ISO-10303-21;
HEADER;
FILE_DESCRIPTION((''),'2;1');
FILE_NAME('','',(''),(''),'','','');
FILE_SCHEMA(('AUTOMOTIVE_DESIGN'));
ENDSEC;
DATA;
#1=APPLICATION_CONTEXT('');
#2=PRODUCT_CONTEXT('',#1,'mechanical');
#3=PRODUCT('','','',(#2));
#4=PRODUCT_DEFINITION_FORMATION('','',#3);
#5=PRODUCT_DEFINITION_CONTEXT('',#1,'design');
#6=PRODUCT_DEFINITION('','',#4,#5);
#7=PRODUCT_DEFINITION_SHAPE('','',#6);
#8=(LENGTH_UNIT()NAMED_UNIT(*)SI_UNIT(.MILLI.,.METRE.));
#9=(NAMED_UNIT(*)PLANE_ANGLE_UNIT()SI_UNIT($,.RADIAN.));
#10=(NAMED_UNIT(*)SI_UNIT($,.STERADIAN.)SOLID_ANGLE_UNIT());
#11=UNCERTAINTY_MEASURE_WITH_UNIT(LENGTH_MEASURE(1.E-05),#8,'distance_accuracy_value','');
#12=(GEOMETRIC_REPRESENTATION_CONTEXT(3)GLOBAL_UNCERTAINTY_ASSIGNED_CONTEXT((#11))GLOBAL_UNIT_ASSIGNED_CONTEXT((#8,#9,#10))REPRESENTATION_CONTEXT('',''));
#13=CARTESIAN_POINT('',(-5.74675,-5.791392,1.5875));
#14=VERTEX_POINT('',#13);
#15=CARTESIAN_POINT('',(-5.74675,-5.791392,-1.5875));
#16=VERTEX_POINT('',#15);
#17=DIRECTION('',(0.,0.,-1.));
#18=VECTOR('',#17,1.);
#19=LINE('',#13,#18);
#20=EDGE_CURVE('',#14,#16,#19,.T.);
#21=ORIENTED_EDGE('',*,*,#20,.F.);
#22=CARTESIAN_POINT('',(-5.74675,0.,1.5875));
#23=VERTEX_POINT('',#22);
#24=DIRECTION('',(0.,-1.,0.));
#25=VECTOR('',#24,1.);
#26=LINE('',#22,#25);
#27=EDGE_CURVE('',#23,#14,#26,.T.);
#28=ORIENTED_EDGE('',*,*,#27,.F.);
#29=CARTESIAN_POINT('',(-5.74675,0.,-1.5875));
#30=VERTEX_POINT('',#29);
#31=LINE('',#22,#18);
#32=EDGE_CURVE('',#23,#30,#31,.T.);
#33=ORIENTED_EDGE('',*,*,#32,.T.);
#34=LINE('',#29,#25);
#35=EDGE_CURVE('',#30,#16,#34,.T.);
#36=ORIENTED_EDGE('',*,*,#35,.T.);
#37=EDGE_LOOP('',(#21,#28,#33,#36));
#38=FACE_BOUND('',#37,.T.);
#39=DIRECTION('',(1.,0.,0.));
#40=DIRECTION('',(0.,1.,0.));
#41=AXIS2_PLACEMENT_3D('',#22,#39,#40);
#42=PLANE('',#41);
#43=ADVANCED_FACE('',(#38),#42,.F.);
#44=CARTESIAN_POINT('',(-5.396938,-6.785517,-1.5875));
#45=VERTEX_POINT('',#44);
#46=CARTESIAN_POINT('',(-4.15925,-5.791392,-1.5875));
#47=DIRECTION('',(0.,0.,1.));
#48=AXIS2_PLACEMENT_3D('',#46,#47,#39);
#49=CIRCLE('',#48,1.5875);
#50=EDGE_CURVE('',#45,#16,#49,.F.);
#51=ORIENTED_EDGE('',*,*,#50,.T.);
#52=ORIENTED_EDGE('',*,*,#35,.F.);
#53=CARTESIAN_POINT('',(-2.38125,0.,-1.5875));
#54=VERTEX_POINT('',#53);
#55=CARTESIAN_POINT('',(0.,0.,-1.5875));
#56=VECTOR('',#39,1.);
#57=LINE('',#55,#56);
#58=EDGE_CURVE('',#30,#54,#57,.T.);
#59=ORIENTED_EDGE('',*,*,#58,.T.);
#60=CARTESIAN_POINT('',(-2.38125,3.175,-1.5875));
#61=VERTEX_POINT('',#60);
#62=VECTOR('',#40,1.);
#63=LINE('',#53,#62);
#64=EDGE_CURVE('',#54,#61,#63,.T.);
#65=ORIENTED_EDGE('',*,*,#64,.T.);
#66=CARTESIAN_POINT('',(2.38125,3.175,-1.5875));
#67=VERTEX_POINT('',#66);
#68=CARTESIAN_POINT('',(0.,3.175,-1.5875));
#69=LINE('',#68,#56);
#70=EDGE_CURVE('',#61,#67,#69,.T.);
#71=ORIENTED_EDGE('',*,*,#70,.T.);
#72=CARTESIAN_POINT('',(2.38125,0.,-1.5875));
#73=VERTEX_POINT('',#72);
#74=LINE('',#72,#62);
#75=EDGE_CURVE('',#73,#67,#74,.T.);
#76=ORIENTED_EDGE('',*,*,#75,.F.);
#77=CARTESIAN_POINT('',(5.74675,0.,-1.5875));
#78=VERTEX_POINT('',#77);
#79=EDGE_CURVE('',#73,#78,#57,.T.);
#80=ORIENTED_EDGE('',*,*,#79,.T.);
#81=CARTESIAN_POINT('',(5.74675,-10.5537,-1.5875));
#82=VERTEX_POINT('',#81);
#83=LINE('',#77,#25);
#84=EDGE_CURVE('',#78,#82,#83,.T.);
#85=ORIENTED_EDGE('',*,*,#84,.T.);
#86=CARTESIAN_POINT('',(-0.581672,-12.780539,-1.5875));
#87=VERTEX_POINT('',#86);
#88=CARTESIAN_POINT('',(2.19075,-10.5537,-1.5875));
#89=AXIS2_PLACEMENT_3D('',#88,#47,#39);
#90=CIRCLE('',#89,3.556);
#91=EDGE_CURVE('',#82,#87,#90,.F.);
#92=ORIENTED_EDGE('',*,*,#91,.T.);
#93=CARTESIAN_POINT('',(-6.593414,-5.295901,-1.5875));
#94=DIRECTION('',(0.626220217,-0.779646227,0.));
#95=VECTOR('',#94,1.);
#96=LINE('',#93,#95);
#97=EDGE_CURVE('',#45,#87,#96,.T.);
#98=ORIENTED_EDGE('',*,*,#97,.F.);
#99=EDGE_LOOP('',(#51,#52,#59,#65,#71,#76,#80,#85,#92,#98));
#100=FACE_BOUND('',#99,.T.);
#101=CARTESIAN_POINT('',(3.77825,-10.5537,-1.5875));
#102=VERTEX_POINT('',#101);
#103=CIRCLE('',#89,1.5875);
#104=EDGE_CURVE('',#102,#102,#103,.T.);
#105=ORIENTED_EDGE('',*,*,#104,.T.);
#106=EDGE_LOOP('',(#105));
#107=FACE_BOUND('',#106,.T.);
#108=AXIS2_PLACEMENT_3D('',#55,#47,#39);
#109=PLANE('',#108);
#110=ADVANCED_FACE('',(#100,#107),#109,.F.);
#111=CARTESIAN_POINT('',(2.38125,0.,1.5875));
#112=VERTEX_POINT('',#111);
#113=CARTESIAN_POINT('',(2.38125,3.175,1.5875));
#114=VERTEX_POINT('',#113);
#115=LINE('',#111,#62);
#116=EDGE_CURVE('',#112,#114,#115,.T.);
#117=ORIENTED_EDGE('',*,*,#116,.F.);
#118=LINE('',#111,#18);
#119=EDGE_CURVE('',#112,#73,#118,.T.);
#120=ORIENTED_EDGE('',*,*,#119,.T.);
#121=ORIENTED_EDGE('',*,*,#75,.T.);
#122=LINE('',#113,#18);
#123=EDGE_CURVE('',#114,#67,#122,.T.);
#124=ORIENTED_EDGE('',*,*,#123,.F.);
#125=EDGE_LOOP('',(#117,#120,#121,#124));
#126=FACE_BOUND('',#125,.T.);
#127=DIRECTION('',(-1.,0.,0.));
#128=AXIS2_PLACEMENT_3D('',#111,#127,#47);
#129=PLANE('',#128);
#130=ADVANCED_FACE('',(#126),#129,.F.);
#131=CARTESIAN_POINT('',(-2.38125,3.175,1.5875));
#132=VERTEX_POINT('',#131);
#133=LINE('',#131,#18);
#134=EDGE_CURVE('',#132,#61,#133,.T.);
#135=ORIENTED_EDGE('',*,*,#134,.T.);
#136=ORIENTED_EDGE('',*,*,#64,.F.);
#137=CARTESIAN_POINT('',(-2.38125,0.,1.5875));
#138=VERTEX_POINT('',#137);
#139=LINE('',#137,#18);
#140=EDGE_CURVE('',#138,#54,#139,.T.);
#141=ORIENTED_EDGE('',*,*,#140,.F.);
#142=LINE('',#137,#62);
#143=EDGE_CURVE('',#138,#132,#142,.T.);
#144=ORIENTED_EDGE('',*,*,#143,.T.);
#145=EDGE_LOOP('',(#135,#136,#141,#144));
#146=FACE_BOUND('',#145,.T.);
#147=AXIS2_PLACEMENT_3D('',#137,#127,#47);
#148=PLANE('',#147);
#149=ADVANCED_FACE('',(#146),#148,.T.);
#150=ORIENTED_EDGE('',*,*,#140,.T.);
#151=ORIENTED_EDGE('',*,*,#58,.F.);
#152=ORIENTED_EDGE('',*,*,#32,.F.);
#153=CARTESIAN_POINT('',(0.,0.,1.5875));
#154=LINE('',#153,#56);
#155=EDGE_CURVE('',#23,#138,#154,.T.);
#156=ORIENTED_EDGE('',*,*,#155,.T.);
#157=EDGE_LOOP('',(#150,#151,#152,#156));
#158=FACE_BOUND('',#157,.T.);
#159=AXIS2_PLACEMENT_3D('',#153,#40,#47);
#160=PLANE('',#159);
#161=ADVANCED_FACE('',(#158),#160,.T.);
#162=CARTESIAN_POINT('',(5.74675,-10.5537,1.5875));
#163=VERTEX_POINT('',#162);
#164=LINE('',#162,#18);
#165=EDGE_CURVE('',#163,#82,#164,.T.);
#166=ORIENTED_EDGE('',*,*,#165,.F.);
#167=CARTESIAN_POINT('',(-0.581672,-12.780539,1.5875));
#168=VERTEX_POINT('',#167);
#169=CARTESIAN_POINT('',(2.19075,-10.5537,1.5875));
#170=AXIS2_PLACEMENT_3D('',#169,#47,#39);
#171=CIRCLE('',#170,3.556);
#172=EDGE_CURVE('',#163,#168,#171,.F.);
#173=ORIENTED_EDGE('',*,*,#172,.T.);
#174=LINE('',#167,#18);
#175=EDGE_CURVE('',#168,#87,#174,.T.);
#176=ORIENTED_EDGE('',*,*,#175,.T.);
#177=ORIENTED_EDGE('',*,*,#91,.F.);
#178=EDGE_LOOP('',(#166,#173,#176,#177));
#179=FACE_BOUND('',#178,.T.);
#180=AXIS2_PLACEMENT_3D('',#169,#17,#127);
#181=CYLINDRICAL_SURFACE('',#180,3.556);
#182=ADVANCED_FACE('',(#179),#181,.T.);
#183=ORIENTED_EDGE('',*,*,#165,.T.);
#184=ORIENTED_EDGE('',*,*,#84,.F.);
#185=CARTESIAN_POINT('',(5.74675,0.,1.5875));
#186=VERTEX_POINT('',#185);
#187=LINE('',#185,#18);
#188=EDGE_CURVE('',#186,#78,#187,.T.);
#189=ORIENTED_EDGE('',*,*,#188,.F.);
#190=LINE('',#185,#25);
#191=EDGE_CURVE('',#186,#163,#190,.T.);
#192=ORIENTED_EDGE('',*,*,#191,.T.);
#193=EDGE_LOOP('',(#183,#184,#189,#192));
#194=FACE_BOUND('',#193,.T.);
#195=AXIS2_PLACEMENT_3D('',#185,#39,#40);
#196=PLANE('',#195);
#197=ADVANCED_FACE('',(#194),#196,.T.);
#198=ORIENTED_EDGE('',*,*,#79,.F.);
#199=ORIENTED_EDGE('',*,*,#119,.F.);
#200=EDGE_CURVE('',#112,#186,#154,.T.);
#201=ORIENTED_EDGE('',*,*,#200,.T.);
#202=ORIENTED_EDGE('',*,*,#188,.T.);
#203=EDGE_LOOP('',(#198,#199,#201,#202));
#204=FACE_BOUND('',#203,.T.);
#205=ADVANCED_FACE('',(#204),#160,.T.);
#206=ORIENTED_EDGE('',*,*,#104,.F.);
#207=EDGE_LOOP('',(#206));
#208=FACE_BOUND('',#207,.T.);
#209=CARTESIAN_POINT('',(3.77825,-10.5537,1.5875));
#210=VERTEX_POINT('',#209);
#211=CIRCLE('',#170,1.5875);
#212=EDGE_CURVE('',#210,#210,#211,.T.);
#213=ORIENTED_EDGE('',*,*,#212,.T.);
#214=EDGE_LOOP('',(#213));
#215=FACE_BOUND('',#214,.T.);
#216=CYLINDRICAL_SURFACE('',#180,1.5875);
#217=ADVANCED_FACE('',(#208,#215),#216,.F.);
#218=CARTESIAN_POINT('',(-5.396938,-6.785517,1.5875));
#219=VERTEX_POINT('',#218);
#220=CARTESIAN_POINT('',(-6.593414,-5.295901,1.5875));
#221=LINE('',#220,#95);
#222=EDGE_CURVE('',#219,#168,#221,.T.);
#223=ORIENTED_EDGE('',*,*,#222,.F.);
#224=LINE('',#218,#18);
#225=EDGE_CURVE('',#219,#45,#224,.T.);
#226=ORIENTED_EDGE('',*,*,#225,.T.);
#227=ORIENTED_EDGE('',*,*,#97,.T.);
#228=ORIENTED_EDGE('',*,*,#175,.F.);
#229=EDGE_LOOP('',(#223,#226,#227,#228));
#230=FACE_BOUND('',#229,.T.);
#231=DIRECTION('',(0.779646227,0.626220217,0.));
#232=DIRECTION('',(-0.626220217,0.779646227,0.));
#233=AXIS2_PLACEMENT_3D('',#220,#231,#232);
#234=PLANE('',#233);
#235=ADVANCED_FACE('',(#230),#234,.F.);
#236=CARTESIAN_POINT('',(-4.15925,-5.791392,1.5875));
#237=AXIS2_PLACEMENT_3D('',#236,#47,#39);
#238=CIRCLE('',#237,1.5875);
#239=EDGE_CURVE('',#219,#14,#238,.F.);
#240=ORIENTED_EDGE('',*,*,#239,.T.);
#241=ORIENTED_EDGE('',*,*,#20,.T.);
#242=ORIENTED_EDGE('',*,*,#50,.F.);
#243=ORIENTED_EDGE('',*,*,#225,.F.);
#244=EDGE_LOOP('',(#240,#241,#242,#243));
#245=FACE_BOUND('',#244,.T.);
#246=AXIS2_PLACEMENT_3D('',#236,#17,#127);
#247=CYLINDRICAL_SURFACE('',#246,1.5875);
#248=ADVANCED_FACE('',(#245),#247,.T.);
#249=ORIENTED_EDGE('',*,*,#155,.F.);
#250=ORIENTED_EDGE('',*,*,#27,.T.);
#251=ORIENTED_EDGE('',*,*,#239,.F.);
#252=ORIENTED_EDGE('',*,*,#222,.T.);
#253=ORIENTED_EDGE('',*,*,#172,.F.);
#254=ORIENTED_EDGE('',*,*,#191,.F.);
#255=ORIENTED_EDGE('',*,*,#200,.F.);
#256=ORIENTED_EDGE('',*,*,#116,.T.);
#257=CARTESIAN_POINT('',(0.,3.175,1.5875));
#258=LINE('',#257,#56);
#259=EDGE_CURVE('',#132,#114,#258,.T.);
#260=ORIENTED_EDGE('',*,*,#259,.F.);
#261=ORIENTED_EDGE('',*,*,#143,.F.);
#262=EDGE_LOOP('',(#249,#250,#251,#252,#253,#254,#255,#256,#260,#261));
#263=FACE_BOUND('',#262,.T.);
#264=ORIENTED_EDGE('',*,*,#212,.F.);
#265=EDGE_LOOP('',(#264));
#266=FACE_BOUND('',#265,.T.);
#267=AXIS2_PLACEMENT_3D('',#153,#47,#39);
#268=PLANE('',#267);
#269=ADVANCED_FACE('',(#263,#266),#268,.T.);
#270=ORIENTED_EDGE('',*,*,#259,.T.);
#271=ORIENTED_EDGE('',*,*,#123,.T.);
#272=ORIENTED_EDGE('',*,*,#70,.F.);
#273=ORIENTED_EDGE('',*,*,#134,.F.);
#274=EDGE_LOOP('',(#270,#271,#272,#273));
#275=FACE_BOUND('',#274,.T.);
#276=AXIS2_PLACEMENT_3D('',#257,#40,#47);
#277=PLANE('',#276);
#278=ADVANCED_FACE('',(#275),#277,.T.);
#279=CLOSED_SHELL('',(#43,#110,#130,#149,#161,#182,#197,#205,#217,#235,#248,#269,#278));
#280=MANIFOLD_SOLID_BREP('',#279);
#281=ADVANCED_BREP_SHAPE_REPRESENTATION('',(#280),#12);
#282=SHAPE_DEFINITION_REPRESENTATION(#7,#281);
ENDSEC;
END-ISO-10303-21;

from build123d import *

# Parameters (mm, degrees)
SKETCH1_R           = 1.5875
BOSS_EXTRUDE1_DEPTH = 1.5875


with BuildPart() as part:
    # Sketch1 → Boss-Extrude1 (new body, symmetric)
    with BuildSketch(Plane.XY):
        with BuildLine():
            Line((-5.74675, 0), (-5.74675, -5.791392014))
            ThreePointArc((-5.74675, -5.791392014), (-5.65674567, -6.318329362), (-5.396938386, -6.785516609))
            Line((-5.396938386, -6.785516609), (-0.581671984, -12.780539093))
            ThreePointArc((-0.581671984, -12.780539093), (3.37108966, -13.9080903), (5.74675, -10.5537))
            Line((5.74675, -10.5537), (5.74675, 0))
            Line((5.74675, 0), (2.38125, 0))
            Line((2.38125, 0), (2.38125, 3.175))
            Line((2.38125, 3.175), (-2.38125, 3.175))
            Line((-2.38125, 3.175), (-2.38125, 0))
            Line((-2.38125, 0), (-5.74675, 0))
        make_face()
        with Locations((2.19075, -10.5537)):
            Circle(SKETCH1_R, mode=Mode.SUBTRACT)
    extrude(amount=BOSS_EXTRUDE1_DEPTH, both=True)


solid = part.part
